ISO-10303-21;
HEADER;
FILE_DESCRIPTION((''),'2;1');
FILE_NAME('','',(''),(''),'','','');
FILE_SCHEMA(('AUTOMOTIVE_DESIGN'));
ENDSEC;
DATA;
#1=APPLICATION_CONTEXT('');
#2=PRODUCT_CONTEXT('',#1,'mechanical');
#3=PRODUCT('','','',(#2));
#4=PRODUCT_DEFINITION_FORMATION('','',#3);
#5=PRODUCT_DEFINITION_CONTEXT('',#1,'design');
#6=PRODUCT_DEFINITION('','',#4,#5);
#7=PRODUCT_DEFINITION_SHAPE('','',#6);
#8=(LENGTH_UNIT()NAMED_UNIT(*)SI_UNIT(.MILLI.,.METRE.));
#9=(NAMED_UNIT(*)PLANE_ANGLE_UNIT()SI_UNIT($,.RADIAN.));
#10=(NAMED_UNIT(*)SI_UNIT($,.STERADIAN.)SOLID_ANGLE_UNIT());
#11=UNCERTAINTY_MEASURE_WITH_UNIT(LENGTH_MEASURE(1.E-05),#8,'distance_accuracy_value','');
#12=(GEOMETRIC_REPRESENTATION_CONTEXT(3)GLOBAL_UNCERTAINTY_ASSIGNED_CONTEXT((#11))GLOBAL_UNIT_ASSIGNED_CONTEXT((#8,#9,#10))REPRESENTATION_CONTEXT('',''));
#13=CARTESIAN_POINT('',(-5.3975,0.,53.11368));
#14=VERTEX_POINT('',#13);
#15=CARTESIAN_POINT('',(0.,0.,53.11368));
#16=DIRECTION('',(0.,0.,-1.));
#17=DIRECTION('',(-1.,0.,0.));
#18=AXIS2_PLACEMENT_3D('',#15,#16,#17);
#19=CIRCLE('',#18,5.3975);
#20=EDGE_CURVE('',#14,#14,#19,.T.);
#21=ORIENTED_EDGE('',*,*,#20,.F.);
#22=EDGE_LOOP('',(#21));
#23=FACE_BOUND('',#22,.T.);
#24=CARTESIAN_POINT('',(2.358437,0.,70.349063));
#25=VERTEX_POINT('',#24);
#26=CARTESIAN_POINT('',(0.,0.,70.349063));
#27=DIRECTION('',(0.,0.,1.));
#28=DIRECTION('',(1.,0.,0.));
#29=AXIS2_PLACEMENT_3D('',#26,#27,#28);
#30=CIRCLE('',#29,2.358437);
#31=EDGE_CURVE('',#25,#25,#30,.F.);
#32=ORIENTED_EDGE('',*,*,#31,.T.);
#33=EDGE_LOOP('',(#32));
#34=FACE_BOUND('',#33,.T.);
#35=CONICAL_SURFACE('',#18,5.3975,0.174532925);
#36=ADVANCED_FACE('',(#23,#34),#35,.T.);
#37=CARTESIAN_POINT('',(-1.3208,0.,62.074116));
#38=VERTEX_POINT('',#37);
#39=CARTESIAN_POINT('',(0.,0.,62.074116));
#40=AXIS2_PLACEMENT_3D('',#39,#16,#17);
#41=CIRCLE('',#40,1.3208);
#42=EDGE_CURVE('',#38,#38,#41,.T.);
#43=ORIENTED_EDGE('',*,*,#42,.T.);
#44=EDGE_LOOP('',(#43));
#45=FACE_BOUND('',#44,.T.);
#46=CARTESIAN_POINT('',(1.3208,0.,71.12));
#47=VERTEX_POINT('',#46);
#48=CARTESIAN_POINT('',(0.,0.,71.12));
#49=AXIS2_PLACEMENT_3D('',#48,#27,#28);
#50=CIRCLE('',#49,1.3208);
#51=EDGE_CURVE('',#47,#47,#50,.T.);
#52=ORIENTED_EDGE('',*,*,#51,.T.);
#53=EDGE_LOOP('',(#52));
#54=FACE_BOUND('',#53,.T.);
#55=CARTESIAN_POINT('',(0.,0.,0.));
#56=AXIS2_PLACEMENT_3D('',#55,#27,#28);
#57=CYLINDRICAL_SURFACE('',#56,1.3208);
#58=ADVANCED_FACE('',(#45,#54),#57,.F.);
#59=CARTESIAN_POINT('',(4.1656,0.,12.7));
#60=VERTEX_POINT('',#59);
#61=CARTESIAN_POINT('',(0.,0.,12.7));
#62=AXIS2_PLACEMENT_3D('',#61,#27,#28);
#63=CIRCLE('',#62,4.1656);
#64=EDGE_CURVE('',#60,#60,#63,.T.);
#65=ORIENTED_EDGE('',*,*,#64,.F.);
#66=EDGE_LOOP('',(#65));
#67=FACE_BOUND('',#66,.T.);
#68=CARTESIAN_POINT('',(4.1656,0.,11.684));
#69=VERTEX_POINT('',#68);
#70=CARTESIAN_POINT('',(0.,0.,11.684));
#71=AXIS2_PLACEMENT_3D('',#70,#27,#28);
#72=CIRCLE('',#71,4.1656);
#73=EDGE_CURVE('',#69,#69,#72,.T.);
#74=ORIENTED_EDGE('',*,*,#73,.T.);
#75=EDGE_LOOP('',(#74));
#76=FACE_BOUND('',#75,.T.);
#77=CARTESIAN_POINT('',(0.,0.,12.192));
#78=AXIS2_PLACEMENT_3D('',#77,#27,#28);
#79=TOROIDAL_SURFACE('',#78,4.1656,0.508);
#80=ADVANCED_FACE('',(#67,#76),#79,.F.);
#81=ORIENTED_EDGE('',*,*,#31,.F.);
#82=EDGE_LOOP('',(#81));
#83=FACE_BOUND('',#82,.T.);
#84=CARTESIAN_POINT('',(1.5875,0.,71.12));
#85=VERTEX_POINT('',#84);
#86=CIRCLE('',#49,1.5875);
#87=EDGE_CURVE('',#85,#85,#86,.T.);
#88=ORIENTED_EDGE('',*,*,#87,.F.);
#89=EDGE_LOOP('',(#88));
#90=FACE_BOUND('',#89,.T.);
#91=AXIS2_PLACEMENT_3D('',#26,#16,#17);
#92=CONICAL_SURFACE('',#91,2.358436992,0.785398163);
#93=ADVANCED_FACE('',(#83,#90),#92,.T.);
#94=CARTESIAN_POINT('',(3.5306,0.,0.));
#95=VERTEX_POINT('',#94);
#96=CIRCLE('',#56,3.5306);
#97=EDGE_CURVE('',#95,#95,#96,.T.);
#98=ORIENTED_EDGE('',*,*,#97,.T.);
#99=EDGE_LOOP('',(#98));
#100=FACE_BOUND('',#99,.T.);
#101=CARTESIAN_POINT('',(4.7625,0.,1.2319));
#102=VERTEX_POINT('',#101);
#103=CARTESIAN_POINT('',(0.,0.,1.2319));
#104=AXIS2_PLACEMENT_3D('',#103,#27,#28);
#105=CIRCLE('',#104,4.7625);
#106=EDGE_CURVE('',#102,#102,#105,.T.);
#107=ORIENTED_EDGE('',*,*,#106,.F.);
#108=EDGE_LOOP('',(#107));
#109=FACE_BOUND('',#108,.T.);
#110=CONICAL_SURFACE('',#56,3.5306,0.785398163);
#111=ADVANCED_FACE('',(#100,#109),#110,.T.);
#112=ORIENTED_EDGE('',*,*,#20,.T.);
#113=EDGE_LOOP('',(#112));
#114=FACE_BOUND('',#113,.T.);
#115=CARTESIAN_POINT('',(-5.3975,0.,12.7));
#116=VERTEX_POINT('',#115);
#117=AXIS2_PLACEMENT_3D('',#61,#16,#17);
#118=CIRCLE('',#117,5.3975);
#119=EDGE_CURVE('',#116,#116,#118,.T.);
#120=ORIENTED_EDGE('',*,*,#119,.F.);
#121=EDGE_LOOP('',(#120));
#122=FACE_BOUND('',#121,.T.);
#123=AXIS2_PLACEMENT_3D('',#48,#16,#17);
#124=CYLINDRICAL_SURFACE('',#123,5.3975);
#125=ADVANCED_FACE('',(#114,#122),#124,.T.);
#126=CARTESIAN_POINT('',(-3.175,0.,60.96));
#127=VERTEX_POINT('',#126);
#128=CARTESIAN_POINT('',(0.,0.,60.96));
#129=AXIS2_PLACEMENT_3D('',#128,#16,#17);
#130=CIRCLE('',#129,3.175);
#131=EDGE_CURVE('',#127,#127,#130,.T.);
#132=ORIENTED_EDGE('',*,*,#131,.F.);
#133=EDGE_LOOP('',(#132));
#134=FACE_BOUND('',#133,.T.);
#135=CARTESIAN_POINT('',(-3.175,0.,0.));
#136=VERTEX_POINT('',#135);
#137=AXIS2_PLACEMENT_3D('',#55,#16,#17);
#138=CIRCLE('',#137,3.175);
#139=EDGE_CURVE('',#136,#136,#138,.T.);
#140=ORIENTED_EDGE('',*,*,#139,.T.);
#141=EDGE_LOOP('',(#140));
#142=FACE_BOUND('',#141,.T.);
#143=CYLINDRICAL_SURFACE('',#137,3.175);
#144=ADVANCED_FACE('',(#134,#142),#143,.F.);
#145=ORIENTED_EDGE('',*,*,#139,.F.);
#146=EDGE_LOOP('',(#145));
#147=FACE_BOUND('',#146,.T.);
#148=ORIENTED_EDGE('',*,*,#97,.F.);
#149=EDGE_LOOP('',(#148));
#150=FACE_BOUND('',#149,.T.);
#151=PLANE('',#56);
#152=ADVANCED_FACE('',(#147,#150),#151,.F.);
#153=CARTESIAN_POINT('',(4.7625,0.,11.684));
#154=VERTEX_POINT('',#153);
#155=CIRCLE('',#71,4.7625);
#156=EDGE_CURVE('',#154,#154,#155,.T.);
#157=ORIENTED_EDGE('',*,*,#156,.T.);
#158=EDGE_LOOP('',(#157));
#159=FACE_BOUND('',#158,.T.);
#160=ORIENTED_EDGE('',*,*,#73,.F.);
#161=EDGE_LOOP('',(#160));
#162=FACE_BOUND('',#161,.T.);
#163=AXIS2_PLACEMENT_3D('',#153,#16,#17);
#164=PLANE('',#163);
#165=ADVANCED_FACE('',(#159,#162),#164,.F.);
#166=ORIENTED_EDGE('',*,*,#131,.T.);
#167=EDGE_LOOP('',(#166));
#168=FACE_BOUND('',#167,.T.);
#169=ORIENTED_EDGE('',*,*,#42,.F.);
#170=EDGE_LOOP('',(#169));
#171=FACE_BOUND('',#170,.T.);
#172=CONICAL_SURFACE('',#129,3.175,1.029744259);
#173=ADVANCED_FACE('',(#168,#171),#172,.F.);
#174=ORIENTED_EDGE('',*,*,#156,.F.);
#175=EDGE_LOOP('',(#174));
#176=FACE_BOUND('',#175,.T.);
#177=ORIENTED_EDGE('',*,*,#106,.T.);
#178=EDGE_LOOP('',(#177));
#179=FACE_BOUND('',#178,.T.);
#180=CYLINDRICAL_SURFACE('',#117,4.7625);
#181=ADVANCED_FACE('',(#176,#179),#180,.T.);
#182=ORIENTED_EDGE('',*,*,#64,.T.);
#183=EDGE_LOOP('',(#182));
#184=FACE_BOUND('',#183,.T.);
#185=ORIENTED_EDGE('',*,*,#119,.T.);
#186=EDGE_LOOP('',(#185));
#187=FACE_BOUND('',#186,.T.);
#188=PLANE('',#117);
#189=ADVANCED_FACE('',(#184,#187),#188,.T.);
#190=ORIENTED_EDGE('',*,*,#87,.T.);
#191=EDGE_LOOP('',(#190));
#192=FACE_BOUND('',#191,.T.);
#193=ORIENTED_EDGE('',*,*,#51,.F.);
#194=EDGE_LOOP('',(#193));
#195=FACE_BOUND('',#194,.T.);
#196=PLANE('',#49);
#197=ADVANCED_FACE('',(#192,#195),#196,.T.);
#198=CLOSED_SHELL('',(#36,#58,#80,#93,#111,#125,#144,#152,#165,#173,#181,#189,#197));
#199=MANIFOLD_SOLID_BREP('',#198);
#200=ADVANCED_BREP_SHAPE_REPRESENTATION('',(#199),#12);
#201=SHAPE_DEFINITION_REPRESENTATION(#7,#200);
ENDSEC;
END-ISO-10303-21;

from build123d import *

# Parameters (mm, degrees)
SKETCH1_R                       = 5.3975
BOSS_EXTRUDE1_DEPTH             = 71.12
SKETCH8_R                       = 1.3208
CUT_EXTRUDE1_DEPTH              = 72.12
SKETCH10_R                      = 5.3975
SKETCH10_R_2                    = 4.7625
CUT_EXTRUDE2_DEPTH              = 12.7
F_1_4_0_25_DIAMETER_HOLE1_D     = 6.35
F_1_4_0_25_DIAMETER_HOLE1_DEPTH = 60.96
F_1_4_0_25_DIAMETER_HOLE1_TIP   = 1.907732465
CHAMFER1_SIZE2                  = 0.635
CHAMFER1_SIZE                   = 0.782829938


with BuildPart() as part:
    # Sketch1 → Boss-Extrude1 (new body)
    with BuildSketch(Plane.XY):
        Circle(SKETCH1_R)
    extrude(amount=BOSS_EXTRUDE1_DEPTH)

    # Sketch7 → Cut-Revolve1 (revolve, cut)
    with BuildSketch(Plane(origin=(0, 0, 0), x_dir=(1, 0, 0), z_dir=(0, 1, 0))):
        Polygon((5.3975, -71.12), (5.3975, -53.113680223), (2.2225, -71.12), align=None)
    revolve(axis=Axis((0, 0, -47.573976859), (0, 0, 1)), mode=Mode.SUBTRACT)

    # Sketch8 → Cut-Extrude1 (cut, through all)
    with BuildSketch(Plane.XY.offset(71.12)):
        Circle(SKETCH8_R)
    extrude(amount=-CUT_EXTRUDE1_DEPTH, mode=Mode.SUBTRACT)

    # Sketch10 → Cut-Extrude2 (cut)
    with BuildSketch(Plane(origin=(0, 0, 0), x_dir=(-1, 0, 0), z_dir=(0, 0, -1))):
        Circle(SKETCH10_R)
        Circle(SKETCH10_R_2, mode=Mode.SUBTRACT)
    extrude(amount=-CUT_EXTRUDE2_DEPTH, mode=Mode.SUBTRACT)

    # 1/4 (0.25) Diameter Hole1
    with Locations(Plane(origin=(0, 0, 0), x_dir=(-1, 0, 0), z_dir=(0, 0, -1))):
        with Locations((0, 0)):
            Hole(F_1_4_0_25_DIAMETER_HOLE1_D / 2, depth=F_1_4_0_25_DIAMETER_HOLE1_DEPTH)
            with Locations((0, 0, -(F_1_4_0_25_DIAMETER_HOLE1_DEPTH + F_1_4_0_25_DIAMETER_HOLE1_TIP / 2))):  # 118° drill point
                Cone(0, F_1_4_0_25_DIAMETER_HOLE1_D / 2, F_1_4_0_25_DIAMETER_HOLE1_TIP, mode=Mode.SUBTRACT)

    # Sketch18 → Cut-Revolve2 (revolve, cut)
    with BuildSketch(Plane(origin=(0, 0, 0), x_dir=(1, 0, 0), z_dir=(0, 1, 0))):
        with BuildLine():
            Line((4.7625, -12.7), (4.1656, -12.7))
            ThreePointArc((4.1656, -12.7), (3.6576, -12.192), (4.1656, -11.684))
            Line((4.1656, -11.684), (4.7625, -11.684))
            Line((4.7625, -11.684), (4.7625, -12.7))
        make_face()
    revolve(axis=Axis((0, 0, 0.466216552), (0, 0, -1)), mode=Mode.SUBTRACT)

    # Sketch20 → Cut-Revolve3 (revolve, cut)
    with BuildSketch(Plane(origin=(0, 0, 0), x_dir=(1, 0, 0), z_dir=(0, 1, 0))):
        Polygon((4.7625, 0), (4.7625, -1.2319), (3.5306, 0), align=None)
    revolve(axis=Axis((0, 0, 0.466216552), (0, 0, -1)), mode=Mode.SUBTRACT)

    # Chamfer1
    chamfer1_edges = [part.edges().sort_by_distance(p)[0] for p in [
        (-2.2225, 0, 71.12),
    ]]
    chamfer(chamfer1_edges, length=CHAMFER1_SIZE, length2=CHAMFER1_SIZE2)


solid = part.part
